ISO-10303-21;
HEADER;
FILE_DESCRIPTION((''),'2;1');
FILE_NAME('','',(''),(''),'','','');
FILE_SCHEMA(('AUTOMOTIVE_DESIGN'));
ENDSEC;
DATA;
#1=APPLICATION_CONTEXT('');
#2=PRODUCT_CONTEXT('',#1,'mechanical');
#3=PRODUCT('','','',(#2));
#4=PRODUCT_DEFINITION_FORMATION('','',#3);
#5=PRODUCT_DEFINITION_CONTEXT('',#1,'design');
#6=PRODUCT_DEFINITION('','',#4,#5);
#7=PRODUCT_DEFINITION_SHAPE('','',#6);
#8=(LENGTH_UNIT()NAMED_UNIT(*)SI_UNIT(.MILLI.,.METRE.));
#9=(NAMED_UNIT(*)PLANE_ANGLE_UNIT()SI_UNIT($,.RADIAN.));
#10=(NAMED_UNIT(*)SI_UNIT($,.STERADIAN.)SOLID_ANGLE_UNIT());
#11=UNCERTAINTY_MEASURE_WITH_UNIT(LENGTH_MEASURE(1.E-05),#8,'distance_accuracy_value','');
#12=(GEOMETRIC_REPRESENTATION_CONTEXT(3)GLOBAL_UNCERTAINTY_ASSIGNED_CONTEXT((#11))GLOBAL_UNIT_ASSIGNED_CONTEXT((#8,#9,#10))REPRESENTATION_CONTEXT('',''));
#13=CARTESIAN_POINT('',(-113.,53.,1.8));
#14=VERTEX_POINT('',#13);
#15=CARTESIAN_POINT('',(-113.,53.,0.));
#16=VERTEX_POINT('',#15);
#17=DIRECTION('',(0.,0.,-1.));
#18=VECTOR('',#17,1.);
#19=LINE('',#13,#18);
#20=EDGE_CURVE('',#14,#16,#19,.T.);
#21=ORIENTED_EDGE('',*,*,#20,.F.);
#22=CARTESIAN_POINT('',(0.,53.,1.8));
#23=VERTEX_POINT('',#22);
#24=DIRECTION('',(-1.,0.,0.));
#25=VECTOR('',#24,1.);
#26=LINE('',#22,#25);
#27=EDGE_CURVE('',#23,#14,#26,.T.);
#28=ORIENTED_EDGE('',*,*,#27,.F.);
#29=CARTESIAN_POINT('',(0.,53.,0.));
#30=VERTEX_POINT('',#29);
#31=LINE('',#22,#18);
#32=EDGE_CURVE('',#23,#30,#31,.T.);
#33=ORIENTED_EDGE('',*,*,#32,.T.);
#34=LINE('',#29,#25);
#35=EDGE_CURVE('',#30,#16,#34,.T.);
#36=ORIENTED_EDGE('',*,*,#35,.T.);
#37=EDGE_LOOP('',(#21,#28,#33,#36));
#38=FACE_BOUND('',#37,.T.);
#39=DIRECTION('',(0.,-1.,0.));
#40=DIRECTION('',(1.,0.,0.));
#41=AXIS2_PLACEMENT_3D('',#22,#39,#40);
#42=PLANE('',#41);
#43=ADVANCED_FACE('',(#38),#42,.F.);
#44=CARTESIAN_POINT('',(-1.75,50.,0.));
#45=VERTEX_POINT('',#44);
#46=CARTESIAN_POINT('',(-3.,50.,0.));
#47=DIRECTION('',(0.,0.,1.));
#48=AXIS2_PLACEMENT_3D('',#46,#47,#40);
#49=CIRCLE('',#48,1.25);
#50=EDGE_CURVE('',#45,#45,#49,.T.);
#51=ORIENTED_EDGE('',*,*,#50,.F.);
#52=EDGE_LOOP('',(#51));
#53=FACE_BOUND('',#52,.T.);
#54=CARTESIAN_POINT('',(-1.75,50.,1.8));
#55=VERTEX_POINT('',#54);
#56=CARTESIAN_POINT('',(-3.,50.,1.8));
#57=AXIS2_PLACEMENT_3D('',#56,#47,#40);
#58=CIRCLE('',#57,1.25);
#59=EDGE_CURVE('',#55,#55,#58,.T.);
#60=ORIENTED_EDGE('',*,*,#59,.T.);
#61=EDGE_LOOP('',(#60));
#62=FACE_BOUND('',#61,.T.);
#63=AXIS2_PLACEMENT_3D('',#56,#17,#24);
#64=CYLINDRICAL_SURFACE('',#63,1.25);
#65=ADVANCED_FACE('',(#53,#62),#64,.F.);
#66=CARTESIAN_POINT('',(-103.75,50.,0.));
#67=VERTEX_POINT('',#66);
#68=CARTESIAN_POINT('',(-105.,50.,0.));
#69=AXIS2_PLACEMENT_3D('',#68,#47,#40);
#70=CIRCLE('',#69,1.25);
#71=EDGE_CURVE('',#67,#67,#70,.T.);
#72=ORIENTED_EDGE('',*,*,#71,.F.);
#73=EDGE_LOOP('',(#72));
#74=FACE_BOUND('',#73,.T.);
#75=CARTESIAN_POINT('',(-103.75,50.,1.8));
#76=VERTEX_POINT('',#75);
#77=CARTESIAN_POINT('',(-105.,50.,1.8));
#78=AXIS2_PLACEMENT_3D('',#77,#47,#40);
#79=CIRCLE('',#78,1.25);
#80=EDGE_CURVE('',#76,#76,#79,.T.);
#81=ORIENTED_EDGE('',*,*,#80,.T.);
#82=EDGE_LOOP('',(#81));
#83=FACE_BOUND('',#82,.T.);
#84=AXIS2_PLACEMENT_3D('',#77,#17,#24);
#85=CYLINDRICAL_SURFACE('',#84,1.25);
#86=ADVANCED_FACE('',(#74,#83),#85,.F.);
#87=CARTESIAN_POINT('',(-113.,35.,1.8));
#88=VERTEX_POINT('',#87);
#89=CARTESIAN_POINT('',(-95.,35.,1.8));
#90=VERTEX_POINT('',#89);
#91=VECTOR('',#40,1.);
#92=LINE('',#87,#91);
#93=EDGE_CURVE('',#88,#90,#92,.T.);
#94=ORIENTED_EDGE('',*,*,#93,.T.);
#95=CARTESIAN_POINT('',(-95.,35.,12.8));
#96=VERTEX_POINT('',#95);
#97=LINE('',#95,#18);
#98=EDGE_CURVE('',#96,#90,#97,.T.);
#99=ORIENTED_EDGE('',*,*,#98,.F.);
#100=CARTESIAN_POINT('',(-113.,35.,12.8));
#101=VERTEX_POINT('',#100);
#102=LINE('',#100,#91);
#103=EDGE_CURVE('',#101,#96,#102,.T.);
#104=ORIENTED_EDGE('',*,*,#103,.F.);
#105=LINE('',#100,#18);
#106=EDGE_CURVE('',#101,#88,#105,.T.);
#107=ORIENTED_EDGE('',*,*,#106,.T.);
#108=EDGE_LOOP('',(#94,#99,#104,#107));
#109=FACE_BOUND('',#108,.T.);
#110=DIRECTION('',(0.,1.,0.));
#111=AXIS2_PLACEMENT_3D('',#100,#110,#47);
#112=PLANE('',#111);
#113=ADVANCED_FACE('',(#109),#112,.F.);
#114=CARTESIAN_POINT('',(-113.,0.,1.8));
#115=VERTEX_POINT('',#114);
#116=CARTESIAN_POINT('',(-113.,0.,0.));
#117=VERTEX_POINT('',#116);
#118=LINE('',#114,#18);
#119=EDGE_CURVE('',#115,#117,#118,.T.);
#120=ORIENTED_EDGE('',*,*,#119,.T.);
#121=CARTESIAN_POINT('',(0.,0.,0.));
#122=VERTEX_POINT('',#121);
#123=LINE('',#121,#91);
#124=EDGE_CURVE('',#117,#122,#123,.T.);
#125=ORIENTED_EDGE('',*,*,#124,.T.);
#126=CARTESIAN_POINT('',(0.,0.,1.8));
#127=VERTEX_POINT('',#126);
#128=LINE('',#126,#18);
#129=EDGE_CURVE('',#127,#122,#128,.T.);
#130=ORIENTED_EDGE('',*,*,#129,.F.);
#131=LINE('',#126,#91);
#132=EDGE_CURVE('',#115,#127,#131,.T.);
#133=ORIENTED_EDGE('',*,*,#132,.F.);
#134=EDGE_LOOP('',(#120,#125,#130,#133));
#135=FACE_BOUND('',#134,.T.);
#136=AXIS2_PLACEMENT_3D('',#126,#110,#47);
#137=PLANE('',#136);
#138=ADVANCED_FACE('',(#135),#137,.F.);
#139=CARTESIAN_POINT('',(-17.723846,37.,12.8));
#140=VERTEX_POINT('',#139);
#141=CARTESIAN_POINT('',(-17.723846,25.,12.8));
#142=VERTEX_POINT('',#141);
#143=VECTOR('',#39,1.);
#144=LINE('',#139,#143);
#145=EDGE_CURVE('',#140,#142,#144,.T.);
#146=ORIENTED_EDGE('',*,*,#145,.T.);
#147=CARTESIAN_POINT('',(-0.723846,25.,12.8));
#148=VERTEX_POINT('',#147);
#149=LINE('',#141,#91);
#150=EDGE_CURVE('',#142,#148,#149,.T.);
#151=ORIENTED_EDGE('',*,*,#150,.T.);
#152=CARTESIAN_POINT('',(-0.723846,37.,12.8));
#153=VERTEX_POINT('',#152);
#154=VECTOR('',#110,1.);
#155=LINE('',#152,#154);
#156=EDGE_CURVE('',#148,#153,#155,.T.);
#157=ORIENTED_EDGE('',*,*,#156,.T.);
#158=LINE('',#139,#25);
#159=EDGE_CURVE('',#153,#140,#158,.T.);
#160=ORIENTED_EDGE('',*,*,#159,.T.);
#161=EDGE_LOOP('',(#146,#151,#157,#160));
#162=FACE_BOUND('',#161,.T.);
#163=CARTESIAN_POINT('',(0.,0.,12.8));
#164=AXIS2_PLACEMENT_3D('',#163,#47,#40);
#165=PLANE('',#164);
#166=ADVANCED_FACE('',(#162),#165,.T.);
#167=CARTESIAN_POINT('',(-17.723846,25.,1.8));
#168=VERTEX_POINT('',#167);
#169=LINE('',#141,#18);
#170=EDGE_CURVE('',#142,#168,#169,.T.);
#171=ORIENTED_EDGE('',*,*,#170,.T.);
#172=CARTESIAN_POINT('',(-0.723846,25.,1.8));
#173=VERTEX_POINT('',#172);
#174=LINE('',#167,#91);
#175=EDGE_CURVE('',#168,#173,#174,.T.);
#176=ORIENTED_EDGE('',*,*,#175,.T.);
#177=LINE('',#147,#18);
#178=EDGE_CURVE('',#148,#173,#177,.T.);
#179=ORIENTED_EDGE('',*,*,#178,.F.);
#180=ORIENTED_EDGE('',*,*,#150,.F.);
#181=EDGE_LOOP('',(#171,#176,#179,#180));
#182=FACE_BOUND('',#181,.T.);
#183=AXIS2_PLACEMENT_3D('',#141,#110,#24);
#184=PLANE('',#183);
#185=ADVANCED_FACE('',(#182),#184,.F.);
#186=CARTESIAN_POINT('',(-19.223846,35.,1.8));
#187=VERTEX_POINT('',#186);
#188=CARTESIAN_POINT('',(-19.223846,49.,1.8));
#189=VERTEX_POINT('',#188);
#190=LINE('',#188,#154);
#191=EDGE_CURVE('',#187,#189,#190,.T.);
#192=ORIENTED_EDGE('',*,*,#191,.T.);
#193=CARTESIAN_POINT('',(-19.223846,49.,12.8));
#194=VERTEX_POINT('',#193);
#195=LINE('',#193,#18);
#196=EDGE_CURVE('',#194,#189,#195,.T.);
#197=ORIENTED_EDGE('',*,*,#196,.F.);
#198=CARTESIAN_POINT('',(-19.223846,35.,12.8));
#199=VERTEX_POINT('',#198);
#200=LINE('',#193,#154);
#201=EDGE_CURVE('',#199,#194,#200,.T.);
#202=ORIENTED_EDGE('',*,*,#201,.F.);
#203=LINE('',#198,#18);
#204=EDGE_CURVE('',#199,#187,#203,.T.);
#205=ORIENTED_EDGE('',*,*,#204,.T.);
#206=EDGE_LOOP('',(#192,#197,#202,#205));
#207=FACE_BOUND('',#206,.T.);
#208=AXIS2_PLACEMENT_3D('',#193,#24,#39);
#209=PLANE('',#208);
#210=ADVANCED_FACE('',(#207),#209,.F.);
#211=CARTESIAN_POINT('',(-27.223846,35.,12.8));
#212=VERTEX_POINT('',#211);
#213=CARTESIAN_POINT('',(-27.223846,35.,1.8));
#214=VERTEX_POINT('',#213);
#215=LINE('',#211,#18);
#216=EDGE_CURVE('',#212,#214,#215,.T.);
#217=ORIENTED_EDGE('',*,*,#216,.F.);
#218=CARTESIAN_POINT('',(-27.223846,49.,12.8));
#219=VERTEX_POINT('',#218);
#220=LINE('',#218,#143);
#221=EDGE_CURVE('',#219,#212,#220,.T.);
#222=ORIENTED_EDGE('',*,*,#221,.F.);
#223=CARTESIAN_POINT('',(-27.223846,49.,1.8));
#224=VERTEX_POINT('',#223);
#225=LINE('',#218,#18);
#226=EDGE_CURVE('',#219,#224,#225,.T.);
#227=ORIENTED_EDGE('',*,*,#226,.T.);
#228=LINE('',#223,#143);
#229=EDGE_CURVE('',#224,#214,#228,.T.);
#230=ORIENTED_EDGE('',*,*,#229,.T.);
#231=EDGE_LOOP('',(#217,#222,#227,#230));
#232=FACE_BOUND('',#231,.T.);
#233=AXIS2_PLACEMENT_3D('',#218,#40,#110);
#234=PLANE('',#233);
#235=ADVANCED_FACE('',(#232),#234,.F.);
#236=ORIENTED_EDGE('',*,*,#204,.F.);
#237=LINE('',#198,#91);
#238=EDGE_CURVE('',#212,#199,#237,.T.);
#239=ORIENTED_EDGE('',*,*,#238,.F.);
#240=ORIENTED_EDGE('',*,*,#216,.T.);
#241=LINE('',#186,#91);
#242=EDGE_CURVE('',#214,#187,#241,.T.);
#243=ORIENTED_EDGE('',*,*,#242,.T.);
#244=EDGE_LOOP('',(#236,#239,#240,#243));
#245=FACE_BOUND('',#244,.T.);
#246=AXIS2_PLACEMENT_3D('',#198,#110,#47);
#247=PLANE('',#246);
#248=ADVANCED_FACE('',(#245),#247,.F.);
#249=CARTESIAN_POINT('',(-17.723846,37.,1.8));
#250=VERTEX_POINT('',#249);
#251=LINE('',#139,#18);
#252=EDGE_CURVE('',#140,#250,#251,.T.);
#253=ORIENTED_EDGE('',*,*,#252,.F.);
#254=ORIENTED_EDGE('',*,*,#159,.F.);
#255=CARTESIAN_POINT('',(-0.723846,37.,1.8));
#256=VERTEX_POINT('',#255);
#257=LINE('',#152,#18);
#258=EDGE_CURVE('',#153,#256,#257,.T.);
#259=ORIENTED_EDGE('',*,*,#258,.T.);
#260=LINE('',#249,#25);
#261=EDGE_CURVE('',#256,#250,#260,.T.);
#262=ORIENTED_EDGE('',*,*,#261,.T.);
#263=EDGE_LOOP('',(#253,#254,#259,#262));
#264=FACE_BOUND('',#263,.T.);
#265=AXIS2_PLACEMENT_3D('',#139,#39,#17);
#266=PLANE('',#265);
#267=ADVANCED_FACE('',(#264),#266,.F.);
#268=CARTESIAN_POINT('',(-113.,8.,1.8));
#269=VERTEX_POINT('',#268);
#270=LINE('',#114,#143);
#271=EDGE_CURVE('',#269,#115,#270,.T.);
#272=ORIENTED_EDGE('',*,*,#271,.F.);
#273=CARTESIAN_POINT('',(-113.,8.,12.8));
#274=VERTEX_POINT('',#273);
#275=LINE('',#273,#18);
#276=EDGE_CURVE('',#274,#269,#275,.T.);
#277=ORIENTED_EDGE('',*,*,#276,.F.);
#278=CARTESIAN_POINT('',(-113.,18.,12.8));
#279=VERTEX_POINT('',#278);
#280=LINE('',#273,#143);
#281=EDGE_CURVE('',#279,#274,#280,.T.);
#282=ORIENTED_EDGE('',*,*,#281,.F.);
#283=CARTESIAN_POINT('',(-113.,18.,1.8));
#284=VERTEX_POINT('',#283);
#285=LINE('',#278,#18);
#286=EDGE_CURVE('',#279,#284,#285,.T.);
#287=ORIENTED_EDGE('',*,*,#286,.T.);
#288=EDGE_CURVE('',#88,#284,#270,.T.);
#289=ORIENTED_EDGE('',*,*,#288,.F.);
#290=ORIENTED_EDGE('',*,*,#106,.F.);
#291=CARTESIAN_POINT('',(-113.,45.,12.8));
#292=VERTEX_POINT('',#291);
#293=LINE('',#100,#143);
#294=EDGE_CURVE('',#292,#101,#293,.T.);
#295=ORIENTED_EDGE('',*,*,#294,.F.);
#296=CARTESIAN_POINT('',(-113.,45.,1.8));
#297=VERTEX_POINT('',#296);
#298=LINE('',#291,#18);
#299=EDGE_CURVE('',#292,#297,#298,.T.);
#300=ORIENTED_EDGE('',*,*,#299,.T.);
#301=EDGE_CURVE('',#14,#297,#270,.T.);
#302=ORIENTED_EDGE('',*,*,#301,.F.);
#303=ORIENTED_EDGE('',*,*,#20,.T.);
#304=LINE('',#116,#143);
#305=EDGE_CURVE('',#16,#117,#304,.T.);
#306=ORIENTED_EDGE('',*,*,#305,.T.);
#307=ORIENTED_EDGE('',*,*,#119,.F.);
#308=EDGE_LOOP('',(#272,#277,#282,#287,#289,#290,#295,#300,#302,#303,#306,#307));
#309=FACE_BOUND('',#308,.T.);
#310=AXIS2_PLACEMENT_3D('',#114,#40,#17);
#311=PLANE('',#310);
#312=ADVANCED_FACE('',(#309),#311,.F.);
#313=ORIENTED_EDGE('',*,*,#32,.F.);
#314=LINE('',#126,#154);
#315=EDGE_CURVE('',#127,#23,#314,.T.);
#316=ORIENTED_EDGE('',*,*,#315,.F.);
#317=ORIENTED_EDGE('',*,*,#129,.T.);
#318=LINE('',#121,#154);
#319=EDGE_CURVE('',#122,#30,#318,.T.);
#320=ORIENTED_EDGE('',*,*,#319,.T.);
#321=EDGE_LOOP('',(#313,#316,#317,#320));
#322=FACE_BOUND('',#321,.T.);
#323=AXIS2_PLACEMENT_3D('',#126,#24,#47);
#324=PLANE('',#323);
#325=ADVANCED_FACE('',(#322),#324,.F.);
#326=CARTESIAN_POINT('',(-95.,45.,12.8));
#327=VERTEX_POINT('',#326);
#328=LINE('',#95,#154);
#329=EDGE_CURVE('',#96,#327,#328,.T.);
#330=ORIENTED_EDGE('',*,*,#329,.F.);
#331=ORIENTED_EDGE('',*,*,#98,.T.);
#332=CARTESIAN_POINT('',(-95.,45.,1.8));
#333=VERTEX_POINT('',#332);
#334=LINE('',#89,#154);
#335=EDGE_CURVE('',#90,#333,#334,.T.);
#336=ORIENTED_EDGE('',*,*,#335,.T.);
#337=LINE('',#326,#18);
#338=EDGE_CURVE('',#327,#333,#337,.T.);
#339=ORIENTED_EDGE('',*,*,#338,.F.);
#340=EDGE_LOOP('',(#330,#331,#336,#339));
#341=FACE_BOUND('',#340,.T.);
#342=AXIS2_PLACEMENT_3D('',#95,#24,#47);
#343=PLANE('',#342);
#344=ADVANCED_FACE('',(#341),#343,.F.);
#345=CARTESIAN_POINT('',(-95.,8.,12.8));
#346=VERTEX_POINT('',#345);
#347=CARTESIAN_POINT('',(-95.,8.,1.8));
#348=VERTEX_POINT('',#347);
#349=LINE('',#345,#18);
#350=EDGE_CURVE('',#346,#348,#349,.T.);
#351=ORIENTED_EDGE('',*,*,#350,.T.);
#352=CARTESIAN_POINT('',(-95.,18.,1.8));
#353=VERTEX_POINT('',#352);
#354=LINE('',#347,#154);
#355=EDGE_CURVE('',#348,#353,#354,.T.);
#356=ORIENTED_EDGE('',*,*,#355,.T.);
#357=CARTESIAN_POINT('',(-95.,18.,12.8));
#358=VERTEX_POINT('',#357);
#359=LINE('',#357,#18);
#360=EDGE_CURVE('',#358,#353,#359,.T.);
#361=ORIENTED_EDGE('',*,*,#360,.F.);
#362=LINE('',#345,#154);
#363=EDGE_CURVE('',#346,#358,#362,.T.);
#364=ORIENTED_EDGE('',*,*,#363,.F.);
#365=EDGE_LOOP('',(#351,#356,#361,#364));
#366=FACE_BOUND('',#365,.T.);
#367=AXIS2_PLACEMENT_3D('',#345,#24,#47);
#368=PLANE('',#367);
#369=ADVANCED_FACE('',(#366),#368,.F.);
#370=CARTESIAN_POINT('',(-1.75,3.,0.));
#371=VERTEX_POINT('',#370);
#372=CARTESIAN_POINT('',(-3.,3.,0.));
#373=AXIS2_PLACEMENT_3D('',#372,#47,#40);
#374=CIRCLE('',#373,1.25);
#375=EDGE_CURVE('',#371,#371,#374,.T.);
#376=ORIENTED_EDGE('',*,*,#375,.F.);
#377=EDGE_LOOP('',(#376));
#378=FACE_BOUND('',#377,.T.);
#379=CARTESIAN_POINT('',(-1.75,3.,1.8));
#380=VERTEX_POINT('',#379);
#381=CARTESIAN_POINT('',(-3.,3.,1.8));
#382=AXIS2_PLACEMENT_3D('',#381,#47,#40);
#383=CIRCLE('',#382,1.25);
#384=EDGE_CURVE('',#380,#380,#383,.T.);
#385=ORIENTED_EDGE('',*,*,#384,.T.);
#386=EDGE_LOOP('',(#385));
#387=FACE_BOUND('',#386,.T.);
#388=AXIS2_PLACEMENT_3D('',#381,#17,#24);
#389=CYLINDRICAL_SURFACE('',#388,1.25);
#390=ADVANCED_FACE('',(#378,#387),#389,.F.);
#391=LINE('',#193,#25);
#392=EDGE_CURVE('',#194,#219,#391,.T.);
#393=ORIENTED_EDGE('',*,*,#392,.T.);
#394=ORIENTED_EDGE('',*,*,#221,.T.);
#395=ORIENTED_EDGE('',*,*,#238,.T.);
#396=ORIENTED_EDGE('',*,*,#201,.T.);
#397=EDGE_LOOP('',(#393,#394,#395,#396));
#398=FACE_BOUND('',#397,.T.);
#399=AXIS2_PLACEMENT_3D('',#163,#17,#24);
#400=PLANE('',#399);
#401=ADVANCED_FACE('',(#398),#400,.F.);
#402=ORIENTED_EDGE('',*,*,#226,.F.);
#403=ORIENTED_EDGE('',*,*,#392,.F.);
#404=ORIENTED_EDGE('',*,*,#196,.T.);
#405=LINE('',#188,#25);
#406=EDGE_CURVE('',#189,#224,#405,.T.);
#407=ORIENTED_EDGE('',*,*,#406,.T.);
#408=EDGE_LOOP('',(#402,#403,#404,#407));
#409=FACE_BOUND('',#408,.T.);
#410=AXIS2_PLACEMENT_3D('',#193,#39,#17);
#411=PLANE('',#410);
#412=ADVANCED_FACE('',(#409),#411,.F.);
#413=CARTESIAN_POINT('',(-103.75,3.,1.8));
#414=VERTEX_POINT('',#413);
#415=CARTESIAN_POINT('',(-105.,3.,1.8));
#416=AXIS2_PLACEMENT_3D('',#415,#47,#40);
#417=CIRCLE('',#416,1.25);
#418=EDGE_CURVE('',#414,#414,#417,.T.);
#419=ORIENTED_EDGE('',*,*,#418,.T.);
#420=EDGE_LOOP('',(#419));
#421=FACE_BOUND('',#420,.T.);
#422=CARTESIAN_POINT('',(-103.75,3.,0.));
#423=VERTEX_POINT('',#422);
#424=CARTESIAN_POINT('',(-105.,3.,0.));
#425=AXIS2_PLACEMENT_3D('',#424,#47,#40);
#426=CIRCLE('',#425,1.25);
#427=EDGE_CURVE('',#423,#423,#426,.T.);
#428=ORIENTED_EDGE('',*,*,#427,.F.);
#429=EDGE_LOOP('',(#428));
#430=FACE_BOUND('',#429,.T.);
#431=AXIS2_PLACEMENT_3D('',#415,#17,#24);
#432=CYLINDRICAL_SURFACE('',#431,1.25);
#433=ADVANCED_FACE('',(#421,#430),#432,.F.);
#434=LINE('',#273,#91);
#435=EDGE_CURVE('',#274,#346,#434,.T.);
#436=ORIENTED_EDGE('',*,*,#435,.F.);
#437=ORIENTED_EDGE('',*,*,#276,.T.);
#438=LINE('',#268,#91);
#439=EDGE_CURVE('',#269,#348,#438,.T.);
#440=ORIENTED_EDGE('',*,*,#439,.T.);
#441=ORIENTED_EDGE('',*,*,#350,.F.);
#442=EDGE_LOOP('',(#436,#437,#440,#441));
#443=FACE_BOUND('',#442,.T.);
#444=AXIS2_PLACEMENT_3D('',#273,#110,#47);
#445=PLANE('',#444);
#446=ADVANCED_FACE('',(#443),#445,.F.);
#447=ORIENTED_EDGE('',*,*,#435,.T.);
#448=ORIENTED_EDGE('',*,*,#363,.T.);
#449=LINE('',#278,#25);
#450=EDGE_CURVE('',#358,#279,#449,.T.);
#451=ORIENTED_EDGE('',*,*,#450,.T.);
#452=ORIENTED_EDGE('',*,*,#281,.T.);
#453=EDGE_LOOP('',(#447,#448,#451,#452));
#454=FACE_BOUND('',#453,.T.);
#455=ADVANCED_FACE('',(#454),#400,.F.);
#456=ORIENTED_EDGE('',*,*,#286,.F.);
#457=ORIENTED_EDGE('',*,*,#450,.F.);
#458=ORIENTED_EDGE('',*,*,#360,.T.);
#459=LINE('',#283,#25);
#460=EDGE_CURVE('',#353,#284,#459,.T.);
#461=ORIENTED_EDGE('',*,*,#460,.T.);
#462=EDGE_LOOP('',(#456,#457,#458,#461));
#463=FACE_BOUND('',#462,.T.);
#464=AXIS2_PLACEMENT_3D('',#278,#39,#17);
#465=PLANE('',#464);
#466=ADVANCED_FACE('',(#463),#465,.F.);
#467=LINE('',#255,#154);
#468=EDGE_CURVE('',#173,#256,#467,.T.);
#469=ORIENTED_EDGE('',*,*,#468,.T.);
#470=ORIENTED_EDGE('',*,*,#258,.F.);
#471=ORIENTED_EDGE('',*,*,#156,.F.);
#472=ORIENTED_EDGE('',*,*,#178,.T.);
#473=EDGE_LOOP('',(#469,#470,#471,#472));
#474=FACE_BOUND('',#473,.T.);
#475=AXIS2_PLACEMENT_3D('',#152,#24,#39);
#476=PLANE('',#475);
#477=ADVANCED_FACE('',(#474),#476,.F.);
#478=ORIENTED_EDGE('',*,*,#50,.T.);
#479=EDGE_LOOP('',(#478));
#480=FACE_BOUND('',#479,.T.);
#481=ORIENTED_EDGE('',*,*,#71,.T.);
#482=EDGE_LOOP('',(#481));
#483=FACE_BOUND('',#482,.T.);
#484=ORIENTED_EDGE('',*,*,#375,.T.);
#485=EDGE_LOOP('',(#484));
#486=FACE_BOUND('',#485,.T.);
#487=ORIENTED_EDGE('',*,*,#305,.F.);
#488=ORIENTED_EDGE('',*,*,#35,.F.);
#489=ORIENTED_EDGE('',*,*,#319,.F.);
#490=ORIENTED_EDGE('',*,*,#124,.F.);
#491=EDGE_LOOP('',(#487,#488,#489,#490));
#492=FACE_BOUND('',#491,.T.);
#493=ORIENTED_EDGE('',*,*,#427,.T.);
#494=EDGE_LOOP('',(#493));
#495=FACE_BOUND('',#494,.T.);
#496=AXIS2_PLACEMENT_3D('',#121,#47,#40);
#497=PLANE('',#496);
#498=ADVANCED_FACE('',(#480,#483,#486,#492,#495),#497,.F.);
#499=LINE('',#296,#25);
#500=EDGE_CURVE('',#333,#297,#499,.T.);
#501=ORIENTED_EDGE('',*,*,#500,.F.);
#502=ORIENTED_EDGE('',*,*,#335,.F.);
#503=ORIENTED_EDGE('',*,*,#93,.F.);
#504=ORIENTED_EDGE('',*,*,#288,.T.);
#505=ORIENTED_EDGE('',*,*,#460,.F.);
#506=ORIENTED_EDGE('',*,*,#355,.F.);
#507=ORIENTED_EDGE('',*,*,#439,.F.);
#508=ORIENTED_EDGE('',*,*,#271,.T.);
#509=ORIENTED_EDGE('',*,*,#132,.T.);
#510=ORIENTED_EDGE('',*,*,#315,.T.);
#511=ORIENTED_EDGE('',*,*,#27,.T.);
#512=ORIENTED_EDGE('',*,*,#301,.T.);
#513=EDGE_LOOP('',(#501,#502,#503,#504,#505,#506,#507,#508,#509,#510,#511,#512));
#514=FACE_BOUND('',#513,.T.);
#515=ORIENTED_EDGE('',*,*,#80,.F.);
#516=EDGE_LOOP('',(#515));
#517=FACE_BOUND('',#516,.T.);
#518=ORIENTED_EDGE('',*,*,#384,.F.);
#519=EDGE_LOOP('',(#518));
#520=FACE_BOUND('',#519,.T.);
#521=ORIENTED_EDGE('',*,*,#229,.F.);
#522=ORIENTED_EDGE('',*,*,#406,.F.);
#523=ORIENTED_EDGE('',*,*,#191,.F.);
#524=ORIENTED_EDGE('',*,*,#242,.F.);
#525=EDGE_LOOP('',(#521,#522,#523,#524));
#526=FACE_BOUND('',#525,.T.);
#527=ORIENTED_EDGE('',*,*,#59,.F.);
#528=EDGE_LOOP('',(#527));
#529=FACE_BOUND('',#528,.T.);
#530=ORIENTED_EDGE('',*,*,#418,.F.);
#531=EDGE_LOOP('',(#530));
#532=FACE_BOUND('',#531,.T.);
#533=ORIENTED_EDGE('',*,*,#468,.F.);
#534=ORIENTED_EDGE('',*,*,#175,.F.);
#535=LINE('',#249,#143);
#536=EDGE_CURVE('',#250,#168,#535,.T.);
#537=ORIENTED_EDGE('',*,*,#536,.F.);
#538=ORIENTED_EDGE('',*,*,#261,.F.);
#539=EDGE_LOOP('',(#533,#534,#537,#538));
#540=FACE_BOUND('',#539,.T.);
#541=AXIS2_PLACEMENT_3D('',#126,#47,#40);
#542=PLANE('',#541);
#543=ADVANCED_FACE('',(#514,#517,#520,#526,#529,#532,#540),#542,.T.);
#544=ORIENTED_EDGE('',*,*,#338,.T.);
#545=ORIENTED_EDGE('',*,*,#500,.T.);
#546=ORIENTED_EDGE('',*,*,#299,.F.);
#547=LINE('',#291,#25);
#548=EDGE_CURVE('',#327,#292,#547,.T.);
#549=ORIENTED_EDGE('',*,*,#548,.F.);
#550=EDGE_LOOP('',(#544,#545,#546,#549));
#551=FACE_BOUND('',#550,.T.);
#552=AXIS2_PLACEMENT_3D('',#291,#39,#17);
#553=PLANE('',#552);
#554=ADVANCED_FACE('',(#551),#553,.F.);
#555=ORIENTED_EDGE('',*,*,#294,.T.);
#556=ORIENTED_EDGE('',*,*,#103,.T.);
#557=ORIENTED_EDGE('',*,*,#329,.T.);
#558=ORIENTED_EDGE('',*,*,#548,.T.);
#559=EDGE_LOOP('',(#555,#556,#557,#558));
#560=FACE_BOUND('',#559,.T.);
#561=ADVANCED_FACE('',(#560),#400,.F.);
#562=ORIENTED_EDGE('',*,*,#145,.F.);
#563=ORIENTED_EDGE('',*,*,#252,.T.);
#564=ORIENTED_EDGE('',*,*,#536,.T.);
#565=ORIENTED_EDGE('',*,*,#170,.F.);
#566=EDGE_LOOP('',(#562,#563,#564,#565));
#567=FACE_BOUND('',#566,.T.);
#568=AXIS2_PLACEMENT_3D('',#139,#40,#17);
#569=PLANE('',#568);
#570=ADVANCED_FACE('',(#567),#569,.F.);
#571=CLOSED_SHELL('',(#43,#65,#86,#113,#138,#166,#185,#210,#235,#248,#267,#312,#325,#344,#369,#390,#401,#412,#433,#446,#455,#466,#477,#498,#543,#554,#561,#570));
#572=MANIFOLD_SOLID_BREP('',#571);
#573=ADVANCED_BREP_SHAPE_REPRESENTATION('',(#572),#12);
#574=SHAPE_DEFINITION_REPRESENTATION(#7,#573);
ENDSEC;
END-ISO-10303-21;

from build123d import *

# Parameters (mm, degrees)
SKETCH1_W           = 113
SKETCH1_H           = 53
SKETCH1_R           = 1.25
BOSS_EXTRUDE1_DEPTH = 1.8
SKETCH2_W           = 17
SKETCH2_H           = 12
SKETCH2_W_2         = 8
SKETCH2_H_2         = 14
SKETCH2_W_3         = 18
SKETCH2_H_3         = 10
BOSS_EXTRUDE2_DEPTH = 11


with BuildPart() as part:
    # Sketch1 → Boss-Extrude1 (new body)
    with BuildSketch(Plane.XY):
        with Locations((-56.5, 26.5)):
            Rectangle(SKETCH1_W, SKETCH1_H)
        with Locations((-3, 3)):
            Circle(SKETCH1_R, mode=Mode.SUBTRACT)
        with Locations((-3, 50)):
            Circle(SKETCH1_R, mode=Mode.SUBTRACT)
        with Locations((-105, 50)):
            Circle(SKETCH1_R, mode=Mode.SUBTRACT)
        with Locations((-105, 3)):
            Circle(SKETCH1_R, mode=Mode.SUBTRACT)
    extrude(amount=BOSS_EXTRUDE1_DEPTH)

    # Sketch2 → Boss-Extrude2 (add)
    with BuildSketch(Plane.XY.offset(1.8)):
        with Locations((-9.223845793, 31)):
            Rectangle(SKETCH2_W, SKETCH2_H)
        with Locations((-23.223845793, 42)):
            Rectangle(SKETCH2_W_2, SKETCH2_H_2)
        with Locations((-104, 40)):
            Rectangle(SKETCH2_W_3, SKETCH2_H_3)
        with Locations((-104, 13)):
            Rectangle(SKETCH2_W_3, SKETCH2_H_3)
    extrude(amount=BOSS_EXTRUDE2_DEPTH)


solid = part.part
